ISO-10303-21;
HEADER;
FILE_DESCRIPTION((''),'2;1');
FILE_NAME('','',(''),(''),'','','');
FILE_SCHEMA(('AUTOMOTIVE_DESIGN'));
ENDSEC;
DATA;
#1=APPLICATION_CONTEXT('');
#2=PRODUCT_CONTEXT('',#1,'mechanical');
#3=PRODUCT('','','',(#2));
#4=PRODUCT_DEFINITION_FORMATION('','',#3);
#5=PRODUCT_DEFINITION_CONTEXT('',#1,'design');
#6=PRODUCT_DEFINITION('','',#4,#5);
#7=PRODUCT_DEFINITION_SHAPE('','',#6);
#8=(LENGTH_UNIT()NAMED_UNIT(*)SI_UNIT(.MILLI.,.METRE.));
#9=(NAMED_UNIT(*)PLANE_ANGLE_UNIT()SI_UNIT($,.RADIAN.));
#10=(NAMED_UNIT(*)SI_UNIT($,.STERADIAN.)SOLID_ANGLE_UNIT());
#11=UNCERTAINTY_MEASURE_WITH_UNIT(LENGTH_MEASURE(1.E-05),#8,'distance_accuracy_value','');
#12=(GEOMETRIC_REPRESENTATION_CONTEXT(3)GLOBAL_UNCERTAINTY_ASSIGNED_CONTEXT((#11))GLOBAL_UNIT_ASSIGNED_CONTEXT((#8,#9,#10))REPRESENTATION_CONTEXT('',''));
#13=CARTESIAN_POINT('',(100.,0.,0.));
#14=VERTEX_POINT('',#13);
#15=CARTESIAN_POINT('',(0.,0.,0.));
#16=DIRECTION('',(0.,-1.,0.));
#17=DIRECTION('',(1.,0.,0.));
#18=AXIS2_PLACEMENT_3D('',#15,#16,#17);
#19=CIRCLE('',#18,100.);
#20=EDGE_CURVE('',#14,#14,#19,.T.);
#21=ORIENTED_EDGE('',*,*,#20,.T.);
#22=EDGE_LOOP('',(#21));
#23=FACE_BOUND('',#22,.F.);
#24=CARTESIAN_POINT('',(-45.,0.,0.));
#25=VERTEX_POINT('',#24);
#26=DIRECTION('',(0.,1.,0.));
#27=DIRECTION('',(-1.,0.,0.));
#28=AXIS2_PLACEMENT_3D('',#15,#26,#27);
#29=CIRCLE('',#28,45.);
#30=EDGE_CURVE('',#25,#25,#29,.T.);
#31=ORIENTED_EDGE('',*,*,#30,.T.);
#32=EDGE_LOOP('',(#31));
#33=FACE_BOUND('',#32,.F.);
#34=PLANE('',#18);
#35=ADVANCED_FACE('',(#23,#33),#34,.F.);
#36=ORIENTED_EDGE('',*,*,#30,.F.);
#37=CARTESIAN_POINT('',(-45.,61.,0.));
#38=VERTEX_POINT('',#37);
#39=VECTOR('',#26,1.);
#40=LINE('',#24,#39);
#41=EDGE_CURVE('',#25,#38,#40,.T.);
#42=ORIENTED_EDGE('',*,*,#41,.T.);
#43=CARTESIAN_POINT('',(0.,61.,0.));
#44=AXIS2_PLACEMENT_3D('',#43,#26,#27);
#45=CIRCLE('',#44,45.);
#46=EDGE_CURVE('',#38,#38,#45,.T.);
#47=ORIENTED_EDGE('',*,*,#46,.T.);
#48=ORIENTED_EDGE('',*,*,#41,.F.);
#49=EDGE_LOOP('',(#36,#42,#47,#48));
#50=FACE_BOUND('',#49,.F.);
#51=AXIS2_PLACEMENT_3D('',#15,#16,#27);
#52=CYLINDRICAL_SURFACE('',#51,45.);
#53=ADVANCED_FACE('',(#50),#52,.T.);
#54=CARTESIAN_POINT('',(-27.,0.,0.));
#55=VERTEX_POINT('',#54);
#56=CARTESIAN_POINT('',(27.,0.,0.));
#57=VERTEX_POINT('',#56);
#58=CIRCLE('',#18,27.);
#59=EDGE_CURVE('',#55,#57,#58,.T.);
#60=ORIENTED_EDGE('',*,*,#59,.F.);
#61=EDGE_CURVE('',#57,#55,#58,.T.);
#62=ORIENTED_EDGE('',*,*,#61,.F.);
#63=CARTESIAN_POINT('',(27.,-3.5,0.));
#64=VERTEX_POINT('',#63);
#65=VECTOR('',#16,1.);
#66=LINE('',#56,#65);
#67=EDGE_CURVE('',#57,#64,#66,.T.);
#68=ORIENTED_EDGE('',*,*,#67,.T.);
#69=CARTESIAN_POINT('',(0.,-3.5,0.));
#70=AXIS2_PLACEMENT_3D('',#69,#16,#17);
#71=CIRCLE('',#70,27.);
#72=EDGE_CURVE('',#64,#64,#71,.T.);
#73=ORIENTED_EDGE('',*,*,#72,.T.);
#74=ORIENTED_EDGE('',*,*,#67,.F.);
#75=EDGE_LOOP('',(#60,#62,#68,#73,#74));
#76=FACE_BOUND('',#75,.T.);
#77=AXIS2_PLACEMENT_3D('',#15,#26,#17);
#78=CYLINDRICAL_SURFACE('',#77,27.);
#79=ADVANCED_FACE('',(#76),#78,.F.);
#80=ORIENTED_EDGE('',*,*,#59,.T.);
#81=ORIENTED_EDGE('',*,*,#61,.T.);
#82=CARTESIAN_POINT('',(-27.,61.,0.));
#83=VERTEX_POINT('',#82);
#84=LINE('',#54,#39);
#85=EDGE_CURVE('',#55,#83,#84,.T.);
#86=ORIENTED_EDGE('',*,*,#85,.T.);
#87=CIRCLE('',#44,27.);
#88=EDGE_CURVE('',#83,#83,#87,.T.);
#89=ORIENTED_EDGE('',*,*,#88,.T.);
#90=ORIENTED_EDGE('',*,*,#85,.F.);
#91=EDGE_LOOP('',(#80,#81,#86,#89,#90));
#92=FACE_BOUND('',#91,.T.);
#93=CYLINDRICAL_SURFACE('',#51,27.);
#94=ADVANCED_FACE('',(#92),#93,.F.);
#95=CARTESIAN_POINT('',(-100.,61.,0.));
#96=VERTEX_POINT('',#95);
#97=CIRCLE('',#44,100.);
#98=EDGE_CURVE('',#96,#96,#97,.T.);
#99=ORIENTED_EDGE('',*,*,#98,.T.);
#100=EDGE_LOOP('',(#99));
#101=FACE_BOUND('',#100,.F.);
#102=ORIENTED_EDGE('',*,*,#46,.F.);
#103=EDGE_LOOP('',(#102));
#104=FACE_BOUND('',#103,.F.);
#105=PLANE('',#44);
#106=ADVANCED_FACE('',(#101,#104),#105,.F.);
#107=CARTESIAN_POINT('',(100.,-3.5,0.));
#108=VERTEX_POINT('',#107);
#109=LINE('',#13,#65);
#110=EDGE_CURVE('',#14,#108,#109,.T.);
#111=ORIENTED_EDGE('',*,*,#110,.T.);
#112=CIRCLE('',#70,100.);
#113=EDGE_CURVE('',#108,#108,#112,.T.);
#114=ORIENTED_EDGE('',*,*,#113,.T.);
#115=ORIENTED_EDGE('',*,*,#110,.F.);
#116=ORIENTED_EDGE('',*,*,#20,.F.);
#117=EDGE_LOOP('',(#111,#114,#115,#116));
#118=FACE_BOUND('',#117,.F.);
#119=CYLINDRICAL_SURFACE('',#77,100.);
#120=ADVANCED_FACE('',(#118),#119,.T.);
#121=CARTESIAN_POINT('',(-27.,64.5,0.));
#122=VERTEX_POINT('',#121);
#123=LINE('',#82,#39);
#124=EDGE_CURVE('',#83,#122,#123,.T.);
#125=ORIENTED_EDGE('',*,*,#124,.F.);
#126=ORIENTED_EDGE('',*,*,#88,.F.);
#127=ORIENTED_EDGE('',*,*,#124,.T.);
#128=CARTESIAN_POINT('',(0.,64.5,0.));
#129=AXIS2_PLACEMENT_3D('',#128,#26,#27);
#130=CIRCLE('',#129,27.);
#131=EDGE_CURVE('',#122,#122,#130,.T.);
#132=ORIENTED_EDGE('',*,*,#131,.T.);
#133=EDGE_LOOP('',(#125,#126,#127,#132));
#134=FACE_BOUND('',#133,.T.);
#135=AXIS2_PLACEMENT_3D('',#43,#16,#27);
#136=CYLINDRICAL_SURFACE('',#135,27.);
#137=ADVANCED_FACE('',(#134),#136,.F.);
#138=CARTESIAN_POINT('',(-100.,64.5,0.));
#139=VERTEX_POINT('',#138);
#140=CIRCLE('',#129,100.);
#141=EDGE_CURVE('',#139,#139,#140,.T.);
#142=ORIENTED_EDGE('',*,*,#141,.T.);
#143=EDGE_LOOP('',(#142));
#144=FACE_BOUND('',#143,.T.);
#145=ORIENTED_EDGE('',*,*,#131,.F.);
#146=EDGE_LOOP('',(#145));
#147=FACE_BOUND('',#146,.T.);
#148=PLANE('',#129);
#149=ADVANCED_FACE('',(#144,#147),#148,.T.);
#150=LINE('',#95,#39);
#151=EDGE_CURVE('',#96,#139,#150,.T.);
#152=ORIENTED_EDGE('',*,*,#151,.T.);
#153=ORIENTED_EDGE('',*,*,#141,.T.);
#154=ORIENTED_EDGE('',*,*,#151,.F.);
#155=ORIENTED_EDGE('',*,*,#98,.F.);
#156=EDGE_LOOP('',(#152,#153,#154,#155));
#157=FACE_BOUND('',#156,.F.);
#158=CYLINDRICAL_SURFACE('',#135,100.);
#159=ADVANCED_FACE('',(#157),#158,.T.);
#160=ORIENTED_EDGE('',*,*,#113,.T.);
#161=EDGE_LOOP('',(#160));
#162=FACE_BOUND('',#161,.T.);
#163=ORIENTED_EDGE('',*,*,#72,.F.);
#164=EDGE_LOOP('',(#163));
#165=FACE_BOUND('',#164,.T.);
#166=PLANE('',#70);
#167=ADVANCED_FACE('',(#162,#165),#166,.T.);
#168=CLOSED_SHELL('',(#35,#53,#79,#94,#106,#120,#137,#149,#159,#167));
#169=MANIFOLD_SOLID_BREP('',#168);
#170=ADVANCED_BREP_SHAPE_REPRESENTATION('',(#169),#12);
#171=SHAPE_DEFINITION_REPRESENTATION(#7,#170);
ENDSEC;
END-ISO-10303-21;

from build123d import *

# Parameters (mm, degrees)
F0_R     = 100
F0_R_2   = 27
F1_DEPTH = 3.5
F2_R     = 45
F2_R_2   = 27
F3_DEPTH = 61
F4_R     = 100
F4_R_2   = 27
F5_DEPTH = 3.5


with BuildPart() as f1:
    # F0 (on Front) → F1 (new body)
    with BuildSketch(Plane.XZ):
        Circle(F0_R)
        Circle(F0_R_2, mode=Mode.SUBTRACT)
    extrude(amount=F1_DEPTH)

    # F2 (on face) → F3 (join)
    with BuildSketch(Plane(origin=(0, 0, 0), x_dir=(-1, 0, 0), z_dir=(0, 1, 0))):
        Circle(F2_R)
        Circle(F2_R_2, mode=Mode.SUBTRACT)
    extrude(amount=F3_DEPTH)

    # F4 (on face) → F5 (join)
    with BuildSketch(Plane(origin=(0, 61, 0), x_dir=(-1, 0, 0), z_dir=(0, 1, 0))):
        Circle(F4_R)
        Circle(F4_R_2, mode=Mode.SUBTRACT)
    extrude(amount=F5_DEPTH)


solid = f1.part
